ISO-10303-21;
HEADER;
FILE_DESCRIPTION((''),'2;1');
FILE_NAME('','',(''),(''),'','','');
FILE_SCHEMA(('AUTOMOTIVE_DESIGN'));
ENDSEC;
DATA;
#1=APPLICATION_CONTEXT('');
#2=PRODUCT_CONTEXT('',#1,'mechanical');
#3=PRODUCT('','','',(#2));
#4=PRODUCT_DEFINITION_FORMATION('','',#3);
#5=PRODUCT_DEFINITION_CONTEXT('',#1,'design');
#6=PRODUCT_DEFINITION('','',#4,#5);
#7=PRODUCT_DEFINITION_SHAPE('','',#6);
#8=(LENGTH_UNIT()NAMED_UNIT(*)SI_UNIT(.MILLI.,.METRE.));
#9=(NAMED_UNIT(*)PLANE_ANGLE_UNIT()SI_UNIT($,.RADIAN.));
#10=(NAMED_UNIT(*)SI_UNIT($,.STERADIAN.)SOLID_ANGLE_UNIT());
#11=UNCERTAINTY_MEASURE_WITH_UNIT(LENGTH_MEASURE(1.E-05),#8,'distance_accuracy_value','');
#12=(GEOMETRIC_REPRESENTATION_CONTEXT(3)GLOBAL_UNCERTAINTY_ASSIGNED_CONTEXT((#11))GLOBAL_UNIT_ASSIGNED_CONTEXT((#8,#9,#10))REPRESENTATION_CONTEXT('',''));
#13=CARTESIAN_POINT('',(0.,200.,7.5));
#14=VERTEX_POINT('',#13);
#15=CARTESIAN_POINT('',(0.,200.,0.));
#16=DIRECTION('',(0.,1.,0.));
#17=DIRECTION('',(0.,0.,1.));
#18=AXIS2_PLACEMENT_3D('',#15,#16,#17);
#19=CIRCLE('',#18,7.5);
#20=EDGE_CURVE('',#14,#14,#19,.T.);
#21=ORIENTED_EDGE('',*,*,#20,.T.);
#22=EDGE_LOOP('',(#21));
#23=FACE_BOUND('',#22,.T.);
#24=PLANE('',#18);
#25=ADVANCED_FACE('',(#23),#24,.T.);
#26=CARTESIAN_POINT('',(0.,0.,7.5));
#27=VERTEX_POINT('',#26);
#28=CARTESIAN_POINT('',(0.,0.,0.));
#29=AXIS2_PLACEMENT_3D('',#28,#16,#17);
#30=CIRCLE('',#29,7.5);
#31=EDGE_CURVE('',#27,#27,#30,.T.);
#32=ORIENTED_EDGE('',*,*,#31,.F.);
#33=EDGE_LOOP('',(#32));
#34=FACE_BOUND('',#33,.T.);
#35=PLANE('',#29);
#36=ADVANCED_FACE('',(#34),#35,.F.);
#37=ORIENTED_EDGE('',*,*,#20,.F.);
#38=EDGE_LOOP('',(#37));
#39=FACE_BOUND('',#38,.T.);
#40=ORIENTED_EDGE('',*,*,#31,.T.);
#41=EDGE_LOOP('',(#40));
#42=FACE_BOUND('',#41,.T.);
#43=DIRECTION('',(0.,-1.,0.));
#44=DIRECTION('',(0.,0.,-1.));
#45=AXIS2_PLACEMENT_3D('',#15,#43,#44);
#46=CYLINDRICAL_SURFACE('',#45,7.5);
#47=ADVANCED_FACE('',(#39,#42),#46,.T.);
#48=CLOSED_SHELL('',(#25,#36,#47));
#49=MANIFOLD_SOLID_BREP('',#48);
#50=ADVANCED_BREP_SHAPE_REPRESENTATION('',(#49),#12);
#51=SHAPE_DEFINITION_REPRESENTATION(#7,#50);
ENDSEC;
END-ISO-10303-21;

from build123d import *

# Parameters (mm, degrees)
SKIZZE1_R                       = 7.5
AUFSATZ_LINEAR_AUSTRAGEN1_DEPTH = 200


with BuildPart() as part:
    # Skizze1 → Aufsatz-Linear austragen1 (new body)
    with BuildSketch(Plane(origin=(0, 0, 0), x_dir=(1, 0, 0), z_dir=(0, 1, 0))):
        with Locations(Location((0, 0, 0), (0, 0, 270))):
            Circle(SKIZZE1_R)
    extrude(amount=AUFSATZ_LINEAR_AUSTRAGEN1_DEPTH)


solid = part.part
